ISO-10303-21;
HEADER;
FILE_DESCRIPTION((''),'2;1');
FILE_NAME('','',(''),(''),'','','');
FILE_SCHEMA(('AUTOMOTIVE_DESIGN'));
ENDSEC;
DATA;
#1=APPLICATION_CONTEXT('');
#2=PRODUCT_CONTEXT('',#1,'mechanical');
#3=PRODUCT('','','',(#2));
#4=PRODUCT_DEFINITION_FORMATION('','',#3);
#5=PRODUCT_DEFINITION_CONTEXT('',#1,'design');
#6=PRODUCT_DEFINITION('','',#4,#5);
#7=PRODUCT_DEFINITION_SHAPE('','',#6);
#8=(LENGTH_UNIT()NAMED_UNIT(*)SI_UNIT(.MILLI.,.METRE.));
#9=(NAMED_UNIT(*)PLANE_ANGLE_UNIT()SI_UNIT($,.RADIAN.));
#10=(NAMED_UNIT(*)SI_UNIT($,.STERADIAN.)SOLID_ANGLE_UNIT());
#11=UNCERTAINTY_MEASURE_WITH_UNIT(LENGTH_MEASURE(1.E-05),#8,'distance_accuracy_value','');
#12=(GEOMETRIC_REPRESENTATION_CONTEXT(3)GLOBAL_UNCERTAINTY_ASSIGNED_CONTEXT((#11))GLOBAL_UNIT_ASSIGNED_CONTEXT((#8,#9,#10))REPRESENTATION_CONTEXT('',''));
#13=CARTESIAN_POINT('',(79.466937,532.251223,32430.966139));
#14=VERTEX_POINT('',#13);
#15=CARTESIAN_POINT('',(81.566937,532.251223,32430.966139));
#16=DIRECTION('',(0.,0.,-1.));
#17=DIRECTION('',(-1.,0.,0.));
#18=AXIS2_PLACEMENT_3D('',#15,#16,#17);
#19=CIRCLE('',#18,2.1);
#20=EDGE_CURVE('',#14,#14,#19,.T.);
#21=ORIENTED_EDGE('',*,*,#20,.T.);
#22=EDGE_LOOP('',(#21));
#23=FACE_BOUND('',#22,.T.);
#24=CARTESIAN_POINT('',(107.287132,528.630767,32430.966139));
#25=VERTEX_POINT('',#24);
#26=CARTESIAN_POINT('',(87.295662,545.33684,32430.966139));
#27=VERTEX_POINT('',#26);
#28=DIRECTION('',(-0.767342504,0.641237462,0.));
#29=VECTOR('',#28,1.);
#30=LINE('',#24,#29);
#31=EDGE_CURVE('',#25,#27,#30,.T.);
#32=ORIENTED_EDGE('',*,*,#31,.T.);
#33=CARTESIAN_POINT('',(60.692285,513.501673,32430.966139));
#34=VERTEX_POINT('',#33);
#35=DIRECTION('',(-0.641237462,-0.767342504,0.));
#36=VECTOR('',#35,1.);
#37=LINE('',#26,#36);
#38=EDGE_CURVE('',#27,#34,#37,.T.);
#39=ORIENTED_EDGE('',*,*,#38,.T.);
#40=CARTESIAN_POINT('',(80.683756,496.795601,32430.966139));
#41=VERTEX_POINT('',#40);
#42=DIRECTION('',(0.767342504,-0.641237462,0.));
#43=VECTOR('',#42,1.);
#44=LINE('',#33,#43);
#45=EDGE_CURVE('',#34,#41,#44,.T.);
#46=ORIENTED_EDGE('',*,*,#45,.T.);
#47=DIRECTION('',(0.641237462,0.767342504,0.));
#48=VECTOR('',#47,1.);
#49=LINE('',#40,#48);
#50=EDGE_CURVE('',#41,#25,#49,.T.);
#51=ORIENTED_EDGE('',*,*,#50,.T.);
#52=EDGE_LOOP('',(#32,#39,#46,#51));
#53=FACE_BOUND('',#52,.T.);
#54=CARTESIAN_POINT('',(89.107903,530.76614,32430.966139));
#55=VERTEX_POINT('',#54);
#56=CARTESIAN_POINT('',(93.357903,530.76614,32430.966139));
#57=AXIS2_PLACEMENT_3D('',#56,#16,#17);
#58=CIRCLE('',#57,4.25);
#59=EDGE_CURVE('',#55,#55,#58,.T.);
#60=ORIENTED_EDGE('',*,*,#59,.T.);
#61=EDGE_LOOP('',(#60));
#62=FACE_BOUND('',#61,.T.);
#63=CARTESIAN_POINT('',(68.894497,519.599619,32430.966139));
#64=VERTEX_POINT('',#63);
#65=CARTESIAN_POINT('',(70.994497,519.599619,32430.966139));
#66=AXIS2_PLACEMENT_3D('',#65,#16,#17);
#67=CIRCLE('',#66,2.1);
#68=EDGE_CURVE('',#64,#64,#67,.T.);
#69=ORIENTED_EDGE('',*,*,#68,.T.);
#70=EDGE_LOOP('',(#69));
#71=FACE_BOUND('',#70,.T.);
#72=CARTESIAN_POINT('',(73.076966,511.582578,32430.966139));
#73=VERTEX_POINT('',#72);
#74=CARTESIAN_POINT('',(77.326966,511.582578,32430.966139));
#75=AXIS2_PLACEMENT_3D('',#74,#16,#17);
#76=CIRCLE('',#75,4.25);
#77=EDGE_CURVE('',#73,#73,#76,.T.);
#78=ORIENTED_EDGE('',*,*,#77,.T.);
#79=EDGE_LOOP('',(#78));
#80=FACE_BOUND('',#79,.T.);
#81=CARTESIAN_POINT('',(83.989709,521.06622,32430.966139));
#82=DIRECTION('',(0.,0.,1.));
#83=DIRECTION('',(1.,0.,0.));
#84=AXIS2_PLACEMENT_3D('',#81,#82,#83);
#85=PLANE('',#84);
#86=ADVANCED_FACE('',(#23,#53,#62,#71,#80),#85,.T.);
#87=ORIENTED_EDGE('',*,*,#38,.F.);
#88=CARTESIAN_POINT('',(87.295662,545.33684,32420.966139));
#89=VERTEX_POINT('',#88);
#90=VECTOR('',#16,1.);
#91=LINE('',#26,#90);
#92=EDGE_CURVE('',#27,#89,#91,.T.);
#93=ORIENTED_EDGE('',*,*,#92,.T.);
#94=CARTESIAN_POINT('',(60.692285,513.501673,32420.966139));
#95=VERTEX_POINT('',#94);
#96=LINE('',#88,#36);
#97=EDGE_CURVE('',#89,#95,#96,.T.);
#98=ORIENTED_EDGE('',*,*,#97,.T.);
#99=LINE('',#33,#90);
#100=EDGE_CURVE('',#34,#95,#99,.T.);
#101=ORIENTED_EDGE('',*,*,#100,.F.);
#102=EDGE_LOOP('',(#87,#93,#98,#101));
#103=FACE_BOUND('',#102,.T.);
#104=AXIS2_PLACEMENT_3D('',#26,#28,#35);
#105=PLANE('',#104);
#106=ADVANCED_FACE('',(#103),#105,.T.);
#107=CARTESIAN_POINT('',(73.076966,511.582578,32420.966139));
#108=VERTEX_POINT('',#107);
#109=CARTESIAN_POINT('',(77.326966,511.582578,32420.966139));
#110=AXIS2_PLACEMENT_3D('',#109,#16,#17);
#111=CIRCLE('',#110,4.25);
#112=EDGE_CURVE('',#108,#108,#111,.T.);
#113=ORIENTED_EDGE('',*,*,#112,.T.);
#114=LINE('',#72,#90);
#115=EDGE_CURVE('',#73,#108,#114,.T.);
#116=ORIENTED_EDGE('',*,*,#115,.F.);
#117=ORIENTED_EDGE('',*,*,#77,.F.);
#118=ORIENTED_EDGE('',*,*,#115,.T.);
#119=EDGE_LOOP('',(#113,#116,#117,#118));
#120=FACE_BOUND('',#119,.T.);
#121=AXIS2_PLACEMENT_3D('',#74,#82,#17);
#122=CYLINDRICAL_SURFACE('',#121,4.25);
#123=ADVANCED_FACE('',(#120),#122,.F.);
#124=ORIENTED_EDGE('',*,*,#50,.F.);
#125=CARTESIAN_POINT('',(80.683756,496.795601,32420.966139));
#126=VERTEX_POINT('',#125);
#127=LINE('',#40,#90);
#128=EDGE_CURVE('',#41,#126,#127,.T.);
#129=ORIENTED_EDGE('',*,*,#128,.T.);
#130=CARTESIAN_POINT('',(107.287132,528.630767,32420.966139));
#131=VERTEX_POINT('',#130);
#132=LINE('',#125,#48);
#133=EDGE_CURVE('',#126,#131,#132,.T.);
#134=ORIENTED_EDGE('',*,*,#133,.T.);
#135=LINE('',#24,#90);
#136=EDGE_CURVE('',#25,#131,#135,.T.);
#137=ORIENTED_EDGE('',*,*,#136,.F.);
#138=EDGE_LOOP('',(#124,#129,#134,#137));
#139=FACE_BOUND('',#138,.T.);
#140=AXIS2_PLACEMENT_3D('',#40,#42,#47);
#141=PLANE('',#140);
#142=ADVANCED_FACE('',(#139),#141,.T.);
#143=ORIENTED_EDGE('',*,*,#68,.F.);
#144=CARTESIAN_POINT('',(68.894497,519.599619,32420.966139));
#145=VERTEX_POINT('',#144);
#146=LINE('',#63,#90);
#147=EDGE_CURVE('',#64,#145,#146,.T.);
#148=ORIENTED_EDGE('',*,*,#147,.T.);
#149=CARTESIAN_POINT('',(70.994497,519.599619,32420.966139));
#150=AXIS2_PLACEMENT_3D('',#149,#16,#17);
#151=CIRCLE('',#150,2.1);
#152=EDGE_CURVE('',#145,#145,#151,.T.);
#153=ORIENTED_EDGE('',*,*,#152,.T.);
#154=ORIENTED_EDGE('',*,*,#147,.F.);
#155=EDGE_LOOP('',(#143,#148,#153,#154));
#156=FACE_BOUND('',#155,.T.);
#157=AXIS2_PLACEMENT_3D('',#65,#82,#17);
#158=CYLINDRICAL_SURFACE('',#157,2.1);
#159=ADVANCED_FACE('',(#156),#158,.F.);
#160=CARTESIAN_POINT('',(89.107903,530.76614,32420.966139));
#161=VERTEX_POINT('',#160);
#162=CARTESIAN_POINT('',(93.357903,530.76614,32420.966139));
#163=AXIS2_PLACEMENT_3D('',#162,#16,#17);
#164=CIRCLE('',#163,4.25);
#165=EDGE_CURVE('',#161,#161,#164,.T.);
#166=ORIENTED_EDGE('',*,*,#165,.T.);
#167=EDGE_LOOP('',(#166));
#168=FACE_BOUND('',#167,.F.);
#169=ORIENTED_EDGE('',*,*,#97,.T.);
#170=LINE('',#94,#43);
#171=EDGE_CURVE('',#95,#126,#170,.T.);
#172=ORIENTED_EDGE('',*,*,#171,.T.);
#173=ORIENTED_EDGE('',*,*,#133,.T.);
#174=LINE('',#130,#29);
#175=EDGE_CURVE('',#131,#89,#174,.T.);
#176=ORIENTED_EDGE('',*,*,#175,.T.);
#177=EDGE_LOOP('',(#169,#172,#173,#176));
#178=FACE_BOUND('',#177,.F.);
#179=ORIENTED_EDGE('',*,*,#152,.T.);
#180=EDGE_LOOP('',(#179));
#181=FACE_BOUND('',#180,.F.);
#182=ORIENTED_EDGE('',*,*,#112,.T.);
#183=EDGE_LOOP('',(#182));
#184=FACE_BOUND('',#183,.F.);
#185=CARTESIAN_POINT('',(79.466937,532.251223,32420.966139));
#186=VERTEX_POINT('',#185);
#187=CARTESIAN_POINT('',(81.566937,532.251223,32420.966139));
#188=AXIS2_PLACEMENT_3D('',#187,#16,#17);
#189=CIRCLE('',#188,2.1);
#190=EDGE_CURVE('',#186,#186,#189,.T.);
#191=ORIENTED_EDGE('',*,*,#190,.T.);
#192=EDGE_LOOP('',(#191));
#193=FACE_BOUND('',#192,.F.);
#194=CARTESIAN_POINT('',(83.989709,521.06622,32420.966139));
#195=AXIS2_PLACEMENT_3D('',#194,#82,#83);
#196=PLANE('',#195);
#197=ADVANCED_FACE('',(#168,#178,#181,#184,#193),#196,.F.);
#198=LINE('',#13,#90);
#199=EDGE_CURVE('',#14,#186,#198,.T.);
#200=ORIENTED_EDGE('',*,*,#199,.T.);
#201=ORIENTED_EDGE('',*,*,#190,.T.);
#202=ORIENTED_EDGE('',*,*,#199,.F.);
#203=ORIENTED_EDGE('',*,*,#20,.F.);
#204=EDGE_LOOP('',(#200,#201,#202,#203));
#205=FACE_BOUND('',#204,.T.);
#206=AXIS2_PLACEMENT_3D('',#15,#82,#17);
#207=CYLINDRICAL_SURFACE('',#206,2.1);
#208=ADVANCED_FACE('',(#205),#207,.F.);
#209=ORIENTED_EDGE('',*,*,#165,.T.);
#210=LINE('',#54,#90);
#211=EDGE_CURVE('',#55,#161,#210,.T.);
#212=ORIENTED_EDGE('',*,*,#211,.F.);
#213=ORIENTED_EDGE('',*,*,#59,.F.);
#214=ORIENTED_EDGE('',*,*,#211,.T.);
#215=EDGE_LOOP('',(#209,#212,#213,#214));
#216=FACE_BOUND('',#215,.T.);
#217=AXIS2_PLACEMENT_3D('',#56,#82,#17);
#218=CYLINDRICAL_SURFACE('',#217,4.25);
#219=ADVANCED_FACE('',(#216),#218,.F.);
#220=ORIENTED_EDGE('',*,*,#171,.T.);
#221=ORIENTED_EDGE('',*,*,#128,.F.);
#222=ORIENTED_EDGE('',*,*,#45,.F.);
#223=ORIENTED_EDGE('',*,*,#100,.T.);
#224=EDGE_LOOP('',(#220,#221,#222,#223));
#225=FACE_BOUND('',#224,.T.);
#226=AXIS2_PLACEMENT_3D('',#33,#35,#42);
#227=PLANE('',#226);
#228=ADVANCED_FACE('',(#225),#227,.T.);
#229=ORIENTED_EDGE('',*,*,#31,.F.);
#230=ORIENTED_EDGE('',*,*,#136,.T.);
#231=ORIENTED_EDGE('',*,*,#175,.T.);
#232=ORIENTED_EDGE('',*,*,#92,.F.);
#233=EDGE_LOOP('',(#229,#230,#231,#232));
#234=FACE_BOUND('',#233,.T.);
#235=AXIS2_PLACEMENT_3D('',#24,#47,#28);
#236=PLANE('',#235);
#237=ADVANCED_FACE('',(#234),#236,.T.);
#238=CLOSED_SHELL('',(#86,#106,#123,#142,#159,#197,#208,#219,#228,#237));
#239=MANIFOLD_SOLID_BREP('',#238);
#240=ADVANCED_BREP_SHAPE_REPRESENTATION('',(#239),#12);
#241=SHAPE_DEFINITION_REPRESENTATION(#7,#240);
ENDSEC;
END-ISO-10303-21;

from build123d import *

# Parameters (mm, degrees)
SKETCH2_R           = 4.25
SKETCH2_R_2         = 2.1
BOSS_EXTRUDE1_DEPTH = 10


with BuildPart() as part:
    # Sketch2 → Boss-Extrude1 (new body)
    with BuildSketch(Plane(origin=(0, 0, 32430.966139434), x_dir=(-1, 0, 0), z_dir=(0, 0, -1))):
        Polygon((-107.287132076, 528.630767378), (-87.295661635, 545.336840216), (-60.692285166, 513.501673478), (-80.683755608, 496.79560064), align=None)
        with Locations((-77.326966288, 511.582577545)):
            Circle(SKETCH2_R, mode=Mode.SUBTRACT)
        with Locations((-93.357902826, 530.766140137)):
            Circle(SKETCH2_R, mode=Mode.SUBTRACT)
        with Locations((-81.566936891, 532.251222865)):
            Circle(SKETCH2_R_2, mode=Mode.SUBTRACT)
        with Locations((-70.99449696, 519.599618719)):
            Circle(SKETCH2_R_2, mode=Mode.SUBTRACT)
    extrude(amount=BOSS_EXTRUDE1_DEPTH)


solid = part.part
